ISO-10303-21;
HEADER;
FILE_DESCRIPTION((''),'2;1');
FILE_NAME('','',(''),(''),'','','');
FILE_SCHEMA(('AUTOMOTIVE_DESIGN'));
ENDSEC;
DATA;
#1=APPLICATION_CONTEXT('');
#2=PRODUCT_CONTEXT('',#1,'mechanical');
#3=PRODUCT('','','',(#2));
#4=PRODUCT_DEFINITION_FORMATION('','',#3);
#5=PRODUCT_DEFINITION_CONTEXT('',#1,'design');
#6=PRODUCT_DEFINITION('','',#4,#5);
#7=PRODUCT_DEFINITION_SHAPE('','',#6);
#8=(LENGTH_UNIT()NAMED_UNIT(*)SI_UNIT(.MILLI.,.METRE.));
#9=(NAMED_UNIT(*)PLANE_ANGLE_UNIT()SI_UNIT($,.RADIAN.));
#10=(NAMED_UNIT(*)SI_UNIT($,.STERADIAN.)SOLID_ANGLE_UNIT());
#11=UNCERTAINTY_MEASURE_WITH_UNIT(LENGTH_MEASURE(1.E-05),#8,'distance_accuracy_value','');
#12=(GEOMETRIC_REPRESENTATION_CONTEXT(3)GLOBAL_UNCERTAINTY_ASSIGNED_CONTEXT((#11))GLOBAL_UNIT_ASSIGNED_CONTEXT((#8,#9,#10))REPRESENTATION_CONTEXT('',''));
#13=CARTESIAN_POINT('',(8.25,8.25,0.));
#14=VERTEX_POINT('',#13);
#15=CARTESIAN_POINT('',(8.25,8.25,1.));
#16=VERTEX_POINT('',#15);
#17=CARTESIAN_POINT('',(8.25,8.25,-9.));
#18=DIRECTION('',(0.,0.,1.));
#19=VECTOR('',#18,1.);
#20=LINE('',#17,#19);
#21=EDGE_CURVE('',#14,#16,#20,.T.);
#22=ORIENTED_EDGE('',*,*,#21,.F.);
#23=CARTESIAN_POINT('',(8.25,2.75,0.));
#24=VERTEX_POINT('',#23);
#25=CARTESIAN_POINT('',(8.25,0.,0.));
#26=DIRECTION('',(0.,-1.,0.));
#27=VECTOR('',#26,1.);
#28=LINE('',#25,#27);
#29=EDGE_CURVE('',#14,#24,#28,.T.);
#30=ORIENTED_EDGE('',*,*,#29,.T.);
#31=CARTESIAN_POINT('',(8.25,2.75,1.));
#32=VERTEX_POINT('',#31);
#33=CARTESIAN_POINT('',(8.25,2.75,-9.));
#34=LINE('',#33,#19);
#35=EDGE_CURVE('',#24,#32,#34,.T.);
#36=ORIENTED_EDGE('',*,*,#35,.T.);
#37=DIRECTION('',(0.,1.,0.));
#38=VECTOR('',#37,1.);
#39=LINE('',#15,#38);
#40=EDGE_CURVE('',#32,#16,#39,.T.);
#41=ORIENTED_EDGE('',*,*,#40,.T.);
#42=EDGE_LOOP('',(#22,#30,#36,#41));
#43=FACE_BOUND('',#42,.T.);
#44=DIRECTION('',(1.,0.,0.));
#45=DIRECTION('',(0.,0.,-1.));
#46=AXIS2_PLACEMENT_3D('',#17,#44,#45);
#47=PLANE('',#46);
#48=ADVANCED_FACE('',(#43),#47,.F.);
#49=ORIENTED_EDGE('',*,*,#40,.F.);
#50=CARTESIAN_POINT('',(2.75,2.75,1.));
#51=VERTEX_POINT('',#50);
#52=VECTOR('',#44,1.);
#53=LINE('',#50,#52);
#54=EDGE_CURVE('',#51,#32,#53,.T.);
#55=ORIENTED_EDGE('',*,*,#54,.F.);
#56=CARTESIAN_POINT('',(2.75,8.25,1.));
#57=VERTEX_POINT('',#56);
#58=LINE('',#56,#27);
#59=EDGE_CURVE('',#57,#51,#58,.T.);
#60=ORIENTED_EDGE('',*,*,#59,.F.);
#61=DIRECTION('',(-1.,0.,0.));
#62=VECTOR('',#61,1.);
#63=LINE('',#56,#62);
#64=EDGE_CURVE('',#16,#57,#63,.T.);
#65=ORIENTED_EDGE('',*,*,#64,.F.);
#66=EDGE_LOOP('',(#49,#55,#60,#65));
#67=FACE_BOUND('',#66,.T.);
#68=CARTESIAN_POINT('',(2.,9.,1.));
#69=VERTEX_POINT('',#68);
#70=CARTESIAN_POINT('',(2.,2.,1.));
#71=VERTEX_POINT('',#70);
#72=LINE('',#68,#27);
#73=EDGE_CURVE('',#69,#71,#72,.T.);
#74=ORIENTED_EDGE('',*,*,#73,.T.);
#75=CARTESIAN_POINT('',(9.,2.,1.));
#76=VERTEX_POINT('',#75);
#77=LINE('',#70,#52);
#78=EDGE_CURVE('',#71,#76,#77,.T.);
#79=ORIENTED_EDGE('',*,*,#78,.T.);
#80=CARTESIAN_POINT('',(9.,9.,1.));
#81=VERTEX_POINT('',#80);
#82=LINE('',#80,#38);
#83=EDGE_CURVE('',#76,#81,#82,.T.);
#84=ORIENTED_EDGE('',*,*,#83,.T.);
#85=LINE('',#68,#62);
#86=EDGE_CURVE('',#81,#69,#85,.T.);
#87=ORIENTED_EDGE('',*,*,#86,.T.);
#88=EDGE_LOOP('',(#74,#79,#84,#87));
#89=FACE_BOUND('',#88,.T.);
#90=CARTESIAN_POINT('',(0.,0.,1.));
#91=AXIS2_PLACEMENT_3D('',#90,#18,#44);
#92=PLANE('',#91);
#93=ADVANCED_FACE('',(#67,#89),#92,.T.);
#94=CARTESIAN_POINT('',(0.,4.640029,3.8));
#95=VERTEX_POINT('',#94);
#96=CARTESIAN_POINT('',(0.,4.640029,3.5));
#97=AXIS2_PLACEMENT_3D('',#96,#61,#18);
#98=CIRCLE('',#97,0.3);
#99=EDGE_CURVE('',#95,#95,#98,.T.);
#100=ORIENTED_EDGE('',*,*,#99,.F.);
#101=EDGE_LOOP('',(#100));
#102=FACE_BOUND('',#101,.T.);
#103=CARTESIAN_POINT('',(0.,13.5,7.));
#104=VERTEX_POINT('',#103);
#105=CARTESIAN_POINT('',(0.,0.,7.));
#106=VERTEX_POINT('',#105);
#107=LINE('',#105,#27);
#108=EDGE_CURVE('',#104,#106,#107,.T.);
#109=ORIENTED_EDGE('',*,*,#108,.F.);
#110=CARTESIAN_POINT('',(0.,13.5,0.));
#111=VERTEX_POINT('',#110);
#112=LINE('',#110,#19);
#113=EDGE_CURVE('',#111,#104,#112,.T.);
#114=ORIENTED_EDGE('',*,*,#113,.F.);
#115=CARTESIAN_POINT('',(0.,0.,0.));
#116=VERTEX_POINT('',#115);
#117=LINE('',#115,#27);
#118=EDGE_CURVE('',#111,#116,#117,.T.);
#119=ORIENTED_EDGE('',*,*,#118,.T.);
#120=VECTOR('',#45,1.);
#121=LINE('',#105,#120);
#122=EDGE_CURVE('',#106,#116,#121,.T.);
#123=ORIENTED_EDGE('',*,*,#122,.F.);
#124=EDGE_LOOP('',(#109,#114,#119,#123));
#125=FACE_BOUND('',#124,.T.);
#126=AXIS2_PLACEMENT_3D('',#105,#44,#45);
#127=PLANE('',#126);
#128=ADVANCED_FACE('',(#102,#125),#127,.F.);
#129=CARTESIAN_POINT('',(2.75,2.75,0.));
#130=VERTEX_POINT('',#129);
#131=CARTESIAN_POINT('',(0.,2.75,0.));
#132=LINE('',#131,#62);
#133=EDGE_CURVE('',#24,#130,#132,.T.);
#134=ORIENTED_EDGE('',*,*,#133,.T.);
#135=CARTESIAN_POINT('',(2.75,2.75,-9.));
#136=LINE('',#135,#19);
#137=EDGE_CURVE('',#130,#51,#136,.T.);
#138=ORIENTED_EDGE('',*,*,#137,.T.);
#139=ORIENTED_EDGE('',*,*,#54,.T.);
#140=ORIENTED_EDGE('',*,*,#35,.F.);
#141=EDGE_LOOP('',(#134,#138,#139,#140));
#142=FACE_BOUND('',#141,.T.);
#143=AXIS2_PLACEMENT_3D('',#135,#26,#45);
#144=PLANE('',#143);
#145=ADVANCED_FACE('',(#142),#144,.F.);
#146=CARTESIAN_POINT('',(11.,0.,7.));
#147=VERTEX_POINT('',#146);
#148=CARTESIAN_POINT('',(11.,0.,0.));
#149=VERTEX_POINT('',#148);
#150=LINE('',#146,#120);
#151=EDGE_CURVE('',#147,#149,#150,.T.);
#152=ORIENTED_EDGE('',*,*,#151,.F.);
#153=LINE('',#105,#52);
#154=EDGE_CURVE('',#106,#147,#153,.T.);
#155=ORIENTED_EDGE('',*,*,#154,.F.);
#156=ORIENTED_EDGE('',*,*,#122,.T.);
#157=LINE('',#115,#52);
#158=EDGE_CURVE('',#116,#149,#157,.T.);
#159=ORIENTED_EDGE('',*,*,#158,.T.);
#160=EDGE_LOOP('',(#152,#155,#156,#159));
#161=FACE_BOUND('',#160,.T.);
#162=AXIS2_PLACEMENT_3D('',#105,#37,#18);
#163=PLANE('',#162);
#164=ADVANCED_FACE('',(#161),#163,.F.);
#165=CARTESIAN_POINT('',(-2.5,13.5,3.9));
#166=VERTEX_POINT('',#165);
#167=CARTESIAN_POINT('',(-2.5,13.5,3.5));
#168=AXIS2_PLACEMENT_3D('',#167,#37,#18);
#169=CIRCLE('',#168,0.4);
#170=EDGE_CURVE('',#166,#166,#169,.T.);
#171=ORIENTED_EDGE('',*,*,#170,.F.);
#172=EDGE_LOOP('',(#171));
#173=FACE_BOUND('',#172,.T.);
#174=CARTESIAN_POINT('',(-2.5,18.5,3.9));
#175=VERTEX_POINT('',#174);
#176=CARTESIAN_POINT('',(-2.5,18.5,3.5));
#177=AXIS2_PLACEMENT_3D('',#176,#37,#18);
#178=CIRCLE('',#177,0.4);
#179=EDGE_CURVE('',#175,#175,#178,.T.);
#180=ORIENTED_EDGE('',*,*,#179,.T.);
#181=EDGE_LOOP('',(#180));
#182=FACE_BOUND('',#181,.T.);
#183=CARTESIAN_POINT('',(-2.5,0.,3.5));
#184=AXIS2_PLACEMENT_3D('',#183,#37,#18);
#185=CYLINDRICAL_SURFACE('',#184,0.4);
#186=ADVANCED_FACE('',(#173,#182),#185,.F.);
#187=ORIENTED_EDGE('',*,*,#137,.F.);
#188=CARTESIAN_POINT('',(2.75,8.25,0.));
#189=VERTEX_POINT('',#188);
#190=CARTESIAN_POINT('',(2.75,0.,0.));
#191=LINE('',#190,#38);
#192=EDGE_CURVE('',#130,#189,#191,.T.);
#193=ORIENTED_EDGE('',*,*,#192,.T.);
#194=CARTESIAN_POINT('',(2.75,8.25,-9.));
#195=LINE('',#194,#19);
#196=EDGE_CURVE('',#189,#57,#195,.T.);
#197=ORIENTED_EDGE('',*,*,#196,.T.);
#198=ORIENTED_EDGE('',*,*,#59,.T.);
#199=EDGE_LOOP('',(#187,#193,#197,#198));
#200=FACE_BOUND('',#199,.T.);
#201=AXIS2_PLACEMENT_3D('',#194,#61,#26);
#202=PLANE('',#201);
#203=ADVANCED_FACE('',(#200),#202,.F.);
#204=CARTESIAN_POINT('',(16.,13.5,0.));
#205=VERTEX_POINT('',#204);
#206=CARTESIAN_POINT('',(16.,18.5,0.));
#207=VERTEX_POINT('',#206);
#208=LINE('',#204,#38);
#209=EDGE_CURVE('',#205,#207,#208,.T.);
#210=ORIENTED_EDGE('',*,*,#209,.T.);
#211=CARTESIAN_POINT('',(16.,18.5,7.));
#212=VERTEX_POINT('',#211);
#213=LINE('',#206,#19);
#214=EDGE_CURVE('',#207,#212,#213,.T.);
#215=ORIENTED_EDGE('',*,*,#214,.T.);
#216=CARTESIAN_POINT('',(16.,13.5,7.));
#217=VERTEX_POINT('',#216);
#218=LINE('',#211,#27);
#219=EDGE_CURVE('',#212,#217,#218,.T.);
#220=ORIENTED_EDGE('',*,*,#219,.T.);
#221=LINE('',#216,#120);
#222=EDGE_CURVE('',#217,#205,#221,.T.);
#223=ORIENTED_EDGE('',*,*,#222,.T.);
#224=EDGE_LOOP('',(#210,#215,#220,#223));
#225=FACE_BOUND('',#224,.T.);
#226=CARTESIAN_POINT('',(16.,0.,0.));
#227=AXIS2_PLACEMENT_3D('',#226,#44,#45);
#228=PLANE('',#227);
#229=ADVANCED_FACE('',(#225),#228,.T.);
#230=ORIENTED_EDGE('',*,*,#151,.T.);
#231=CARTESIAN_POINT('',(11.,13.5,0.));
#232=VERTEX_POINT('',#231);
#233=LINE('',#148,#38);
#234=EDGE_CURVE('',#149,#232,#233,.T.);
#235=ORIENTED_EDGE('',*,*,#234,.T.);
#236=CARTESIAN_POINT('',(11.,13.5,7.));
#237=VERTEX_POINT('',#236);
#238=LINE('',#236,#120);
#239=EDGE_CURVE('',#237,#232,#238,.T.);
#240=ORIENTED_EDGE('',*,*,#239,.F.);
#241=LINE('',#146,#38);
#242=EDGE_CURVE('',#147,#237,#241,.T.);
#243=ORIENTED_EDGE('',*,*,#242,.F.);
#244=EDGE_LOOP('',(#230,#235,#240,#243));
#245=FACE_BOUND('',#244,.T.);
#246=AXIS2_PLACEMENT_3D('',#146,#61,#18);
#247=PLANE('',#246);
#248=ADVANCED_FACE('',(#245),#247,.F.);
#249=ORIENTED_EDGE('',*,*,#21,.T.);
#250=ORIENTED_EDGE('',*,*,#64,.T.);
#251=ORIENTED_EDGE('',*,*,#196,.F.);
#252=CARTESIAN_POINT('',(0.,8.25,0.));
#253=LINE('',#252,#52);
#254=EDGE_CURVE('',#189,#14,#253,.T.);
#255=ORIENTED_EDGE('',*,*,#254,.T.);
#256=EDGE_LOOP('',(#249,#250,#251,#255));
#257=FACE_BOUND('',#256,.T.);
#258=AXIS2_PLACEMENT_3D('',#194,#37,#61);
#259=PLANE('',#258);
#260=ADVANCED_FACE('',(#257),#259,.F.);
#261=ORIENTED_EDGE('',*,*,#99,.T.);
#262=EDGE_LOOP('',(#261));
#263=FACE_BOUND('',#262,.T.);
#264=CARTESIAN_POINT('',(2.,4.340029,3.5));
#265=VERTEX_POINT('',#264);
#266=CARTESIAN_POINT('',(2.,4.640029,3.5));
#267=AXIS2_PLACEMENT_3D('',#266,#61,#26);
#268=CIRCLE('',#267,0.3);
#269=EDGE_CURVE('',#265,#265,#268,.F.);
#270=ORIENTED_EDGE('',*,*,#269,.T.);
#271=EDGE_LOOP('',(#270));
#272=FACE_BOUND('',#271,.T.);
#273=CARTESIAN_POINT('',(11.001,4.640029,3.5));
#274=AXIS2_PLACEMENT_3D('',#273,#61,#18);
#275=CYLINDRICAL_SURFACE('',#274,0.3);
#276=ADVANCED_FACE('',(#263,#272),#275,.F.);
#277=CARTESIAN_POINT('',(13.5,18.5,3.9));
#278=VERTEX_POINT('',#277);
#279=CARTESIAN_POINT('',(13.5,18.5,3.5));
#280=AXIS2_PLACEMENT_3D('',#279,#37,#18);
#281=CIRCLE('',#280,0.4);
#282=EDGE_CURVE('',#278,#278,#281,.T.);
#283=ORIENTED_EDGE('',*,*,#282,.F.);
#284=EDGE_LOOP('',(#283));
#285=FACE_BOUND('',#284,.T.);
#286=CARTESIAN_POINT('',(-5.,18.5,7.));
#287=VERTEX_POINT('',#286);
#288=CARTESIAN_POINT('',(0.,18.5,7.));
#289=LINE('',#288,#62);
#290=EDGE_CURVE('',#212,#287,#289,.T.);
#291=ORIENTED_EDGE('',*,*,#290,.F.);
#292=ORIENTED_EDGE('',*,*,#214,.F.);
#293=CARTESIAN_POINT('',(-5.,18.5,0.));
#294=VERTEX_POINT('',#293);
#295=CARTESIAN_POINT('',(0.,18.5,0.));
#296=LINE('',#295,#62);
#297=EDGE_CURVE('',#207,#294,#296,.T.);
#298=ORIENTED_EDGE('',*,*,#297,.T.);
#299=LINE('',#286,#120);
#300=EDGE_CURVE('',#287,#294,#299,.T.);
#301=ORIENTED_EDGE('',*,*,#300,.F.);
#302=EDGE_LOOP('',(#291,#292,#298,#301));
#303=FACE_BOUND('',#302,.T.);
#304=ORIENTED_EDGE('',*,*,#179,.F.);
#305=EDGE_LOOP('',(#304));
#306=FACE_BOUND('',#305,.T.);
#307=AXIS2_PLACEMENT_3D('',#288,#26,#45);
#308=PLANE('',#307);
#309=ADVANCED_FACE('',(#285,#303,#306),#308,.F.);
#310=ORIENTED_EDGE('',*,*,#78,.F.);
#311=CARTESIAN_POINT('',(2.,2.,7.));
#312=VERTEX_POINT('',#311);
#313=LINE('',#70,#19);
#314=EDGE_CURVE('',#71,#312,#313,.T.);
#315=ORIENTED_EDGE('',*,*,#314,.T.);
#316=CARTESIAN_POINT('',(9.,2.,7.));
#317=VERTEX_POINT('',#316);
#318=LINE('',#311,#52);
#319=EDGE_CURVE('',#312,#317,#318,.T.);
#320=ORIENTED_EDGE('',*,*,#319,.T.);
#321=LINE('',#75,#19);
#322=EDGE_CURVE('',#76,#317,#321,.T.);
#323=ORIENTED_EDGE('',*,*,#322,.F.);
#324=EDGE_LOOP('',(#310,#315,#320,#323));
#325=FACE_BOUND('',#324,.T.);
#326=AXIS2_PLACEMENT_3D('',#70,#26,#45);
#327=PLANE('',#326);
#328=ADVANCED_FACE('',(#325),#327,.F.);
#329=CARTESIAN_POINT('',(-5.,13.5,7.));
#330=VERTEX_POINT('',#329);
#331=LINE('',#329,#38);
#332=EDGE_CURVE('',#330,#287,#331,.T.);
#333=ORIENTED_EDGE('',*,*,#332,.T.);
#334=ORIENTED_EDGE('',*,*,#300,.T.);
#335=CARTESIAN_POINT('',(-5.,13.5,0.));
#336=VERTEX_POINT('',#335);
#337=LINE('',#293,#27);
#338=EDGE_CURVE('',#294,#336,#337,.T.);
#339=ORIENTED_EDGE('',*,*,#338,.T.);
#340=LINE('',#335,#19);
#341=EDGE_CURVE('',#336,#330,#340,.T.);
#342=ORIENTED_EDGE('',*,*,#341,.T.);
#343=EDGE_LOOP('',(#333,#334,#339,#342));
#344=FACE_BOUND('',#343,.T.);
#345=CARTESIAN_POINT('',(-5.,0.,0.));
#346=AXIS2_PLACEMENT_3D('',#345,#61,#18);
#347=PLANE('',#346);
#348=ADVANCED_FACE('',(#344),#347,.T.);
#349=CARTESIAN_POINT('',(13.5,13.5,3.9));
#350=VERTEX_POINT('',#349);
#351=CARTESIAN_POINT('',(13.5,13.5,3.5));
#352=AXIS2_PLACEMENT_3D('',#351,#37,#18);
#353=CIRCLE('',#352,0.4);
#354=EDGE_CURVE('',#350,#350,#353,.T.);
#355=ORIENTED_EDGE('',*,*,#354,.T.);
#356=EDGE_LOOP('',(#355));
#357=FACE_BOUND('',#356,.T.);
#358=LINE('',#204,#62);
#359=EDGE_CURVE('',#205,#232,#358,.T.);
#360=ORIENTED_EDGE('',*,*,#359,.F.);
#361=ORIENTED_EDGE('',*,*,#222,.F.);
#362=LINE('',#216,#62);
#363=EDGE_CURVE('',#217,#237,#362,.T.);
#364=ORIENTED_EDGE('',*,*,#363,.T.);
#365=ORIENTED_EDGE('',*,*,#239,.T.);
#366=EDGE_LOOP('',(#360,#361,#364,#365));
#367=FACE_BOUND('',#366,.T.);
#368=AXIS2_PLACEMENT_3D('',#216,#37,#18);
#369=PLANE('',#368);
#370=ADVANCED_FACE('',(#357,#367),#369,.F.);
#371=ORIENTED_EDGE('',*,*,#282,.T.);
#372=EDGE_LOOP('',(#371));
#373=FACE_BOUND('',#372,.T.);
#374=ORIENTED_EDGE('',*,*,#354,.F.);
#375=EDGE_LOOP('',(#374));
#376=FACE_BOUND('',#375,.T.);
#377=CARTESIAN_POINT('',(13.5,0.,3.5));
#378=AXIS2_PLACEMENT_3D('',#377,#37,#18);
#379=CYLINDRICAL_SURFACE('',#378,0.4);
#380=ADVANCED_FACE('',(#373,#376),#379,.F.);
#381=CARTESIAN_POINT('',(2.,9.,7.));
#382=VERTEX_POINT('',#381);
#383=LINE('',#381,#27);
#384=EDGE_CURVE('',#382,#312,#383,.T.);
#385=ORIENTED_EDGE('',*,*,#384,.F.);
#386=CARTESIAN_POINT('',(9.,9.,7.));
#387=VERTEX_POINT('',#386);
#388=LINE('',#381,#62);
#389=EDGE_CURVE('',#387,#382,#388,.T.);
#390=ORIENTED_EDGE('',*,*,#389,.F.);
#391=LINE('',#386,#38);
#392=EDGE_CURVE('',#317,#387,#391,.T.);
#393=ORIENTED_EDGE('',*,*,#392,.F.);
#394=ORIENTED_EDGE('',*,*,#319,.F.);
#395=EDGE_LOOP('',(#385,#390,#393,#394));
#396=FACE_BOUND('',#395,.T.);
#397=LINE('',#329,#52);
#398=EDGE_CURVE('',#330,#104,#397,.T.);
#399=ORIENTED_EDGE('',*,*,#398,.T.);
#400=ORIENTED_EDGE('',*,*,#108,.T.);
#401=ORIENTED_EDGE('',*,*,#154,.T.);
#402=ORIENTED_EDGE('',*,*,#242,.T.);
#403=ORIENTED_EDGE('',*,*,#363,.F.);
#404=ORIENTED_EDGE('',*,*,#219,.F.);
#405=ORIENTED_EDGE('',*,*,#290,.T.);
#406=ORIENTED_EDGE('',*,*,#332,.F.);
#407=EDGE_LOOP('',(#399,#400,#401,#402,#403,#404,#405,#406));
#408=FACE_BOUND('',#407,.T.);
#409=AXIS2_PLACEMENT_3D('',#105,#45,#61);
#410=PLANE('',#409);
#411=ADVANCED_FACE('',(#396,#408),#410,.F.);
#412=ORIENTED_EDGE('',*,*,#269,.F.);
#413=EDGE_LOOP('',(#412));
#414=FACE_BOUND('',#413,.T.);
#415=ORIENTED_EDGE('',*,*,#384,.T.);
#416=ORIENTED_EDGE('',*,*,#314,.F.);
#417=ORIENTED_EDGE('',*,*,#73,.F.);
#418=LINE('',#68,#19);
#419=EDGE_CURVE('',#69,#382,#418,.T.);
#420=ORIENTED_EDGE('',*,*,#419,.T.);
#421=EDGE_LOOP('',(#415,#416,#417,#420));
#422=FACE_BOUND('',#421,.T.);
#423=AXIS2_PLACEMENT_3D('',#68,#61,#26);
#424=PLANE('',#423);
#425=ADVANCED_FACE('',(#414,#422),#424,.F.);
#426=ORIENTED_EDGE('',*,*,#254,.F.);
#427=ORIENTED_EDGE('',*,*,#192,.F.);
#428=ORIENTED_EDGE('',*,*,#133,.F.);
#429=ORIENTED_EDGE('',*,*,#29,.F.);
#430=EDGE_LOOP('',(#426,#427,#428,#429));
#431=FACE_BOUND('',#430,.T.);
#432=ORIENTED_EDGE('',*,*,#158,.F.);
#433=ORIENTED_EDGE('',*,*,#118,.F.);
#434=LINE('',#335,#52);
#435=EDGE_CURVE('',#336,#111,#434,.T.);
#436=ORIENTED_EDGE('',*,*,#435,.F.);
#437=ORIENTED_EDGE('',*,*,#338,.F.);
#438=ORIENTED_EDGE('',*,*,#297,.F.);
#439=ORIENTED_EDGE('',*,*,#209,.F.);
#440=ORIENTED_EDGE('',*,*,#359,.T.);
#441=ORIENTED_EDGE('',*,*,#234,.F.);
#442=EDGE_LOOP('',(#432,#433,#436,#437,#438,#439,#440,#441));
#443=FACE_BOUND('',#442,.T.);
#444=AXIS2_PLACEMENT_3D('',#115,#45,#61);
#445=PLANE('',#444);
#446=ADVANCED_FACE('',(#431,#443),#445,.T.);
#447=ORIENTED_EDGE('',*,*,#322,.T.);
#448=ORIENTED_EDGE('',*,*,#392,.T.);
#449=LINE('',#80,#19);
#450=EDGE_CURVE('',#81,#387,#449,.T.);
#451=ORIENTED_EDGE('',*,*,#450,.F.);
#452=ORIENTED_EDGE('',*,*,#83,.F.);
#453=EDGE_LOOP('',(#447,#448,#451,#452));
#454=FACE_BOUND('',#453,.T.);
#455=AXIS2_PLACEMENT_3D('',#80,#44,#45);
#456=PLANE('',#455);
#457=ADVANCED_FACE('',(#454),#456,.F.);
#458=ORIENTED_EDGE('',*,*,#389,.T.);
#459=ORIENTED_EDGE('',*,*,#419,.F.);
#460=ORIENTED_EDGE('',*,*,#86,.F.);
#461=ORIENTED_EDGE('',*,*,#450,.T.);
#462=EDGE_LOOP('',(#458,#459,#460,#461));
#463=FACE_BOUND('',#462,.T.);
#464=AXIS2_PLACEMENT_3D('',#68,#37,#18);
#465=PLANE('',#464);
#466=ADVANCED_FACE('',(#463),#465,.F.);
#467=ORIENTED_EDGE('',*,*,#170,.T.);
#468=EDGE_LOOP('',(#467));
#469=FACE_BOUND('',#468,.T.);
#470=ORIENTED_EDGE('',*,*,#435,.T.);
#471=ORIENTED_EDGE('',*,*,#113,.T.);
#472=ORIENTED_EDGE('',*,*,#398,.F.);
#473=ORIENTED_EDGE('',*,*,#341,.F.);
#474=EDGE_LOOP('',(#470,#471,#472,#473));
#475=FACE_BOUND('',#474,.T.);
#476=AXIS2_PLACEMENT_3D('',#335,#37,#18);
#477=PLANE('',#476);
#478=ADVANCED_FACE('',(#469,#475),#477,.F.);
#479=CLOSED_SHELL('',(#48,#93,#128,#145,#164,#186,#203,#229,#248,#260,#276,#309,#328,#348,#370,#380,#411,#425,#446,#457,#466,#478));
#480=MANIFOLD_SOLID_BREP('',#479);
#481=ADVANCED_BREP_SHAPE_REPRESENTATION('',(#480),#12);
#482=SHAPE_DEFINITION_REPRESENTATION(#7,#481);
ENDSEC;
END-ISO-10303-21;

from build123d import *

# Parameters (mm, degrees)
ESQUISSE1_W             = 11
ESQUISSE1_H             = 18.5
BOSS_EXTRU_1_DEPTH      = 7
ESQUISSE2_W             = 7
ESQUISSE2_H             = 7
ENL_V_MAT_EXTRU_1_DEPTH = 6
ESQUISSE4_W             = 5.5
ESQUISSE4_H             = 5.5
ENL_V_MAT_EXTRU_2_DEPTH = 10
ENL_V_MAT_EXTRU_3_REACH = 13
ESQUISSE5_R             = 0.3
ESQUISSE7_W             = 7
ESQUISSE7_H             = 5
BOSS_EXTRU_2_DEPTH      = 5
ESQUISSE8_W             = 7
ESQUISSE8_H             = 5
BOSS_EXTRU_3_DEPTH      = 5
ESQUISSE9_R             = 0.4
ENL_V_MAT_EXTRU_4_DEPTH = 19.5


with BuildPart() as part:
    # Esquisse1 → Boss.-Extru.1 (new body)
    with BuildSketch(Plane.XY):
        with Locations((5.5, 9.25)):
            Rectangle(ESQUISSE1_W, ESQUISSE1_H)
    extrude(amount=BOSS_EXTRU_1_DEPTH)

    # Esquisse2 → Enlèv. mat.-Extru.1 (cut)
    with BuildSketch(Plane.XY.offset(7)):
        with Locations((5.5, 5.5)):
            Rectangle(ESQUISSE2_W, ESQUISSE2_H)
    extrude(amount=-ENL_V_MAT_EXTRU_1_DEPTH, mode=Mode.SUBTRACT)

    # Esquisse4 → Enlèv. mat.-Extru.2 (cut)
    with BuildSketch(Plane.XY.offset(1)):
        with Locations((5.5, 5.5)):
            Rectangle(ESQUISSE4_W, ESQUISSE4_H)
    extrude(amount=-ENL_V_MAT_EXTRU_2_DEPTH, mode=Mode.SUBTRACT)

    # Esquisse5 → Enlèv. mat.-Extru.3 (cut, up to next)
    with BuildSketch(Plane.ZY, mode=Mode.PRIVATE) as enl_v_mat_extru_3_sk1:
        with Locations((3.5, 4.640028524)):
            Circle(ESQUISSE5_R)
    enl_v_mat_extru_3_tool1 = extrude(enl_v_mat_extru_3_sk1.sketch, amount=-ENL_V_MAT_EXTRU_3_REACH, mode=Mode.PRIVATE) & part.part
    add(enl_v_mat_extru_3_tool1.solids().sort_by_distance((0, 4.640029, 3.5))[0], mode=Mode.SUBTRACT)

    # Esquisse7 → Boss.-Extru.2 (add)
    with BuildSketch(Plane(origin=(11, 0, 0), x_dir=(0, 0, -1), z_dir=(1, 0, 0))):
        with Locations((-3.5, 16)):
            Rectangle(ESQUISSE7_W, ESQUISSE7_H)
    extrude(amount=BOSS_EXTRU_2_DEPTH)

    # Esquisse8 → Boss.-Extru.3 (add)
    with BuildSketch(Plane.ZY):
        with Locations((3.5, 16)):
            Rectangle(ESQUISSE8_W, ESQUISSE8_H)
    extrude(amount=BOSS_EXTRU_3_DEPTH)

    # Esquisse9 → Enlèv. mat.-Extru.4 (cut, through all)
    with BuildSketch(Plane(origin=(0, 18.5, 0), x_dir=(1, 0, 0), z_dir=(0, 1, 0))):
        with Locations((-2.5, -3.5)):
            Circle(ESQUISSE9_R)
        with Locations((13.5, -3.5)):
            Circle(ESQUISSE9_R)
    extrude(amount=-ENL_V_MAT_EXTRU_4_DEPTH, mode=Mode.SUBTRACT)


solid = part.part
